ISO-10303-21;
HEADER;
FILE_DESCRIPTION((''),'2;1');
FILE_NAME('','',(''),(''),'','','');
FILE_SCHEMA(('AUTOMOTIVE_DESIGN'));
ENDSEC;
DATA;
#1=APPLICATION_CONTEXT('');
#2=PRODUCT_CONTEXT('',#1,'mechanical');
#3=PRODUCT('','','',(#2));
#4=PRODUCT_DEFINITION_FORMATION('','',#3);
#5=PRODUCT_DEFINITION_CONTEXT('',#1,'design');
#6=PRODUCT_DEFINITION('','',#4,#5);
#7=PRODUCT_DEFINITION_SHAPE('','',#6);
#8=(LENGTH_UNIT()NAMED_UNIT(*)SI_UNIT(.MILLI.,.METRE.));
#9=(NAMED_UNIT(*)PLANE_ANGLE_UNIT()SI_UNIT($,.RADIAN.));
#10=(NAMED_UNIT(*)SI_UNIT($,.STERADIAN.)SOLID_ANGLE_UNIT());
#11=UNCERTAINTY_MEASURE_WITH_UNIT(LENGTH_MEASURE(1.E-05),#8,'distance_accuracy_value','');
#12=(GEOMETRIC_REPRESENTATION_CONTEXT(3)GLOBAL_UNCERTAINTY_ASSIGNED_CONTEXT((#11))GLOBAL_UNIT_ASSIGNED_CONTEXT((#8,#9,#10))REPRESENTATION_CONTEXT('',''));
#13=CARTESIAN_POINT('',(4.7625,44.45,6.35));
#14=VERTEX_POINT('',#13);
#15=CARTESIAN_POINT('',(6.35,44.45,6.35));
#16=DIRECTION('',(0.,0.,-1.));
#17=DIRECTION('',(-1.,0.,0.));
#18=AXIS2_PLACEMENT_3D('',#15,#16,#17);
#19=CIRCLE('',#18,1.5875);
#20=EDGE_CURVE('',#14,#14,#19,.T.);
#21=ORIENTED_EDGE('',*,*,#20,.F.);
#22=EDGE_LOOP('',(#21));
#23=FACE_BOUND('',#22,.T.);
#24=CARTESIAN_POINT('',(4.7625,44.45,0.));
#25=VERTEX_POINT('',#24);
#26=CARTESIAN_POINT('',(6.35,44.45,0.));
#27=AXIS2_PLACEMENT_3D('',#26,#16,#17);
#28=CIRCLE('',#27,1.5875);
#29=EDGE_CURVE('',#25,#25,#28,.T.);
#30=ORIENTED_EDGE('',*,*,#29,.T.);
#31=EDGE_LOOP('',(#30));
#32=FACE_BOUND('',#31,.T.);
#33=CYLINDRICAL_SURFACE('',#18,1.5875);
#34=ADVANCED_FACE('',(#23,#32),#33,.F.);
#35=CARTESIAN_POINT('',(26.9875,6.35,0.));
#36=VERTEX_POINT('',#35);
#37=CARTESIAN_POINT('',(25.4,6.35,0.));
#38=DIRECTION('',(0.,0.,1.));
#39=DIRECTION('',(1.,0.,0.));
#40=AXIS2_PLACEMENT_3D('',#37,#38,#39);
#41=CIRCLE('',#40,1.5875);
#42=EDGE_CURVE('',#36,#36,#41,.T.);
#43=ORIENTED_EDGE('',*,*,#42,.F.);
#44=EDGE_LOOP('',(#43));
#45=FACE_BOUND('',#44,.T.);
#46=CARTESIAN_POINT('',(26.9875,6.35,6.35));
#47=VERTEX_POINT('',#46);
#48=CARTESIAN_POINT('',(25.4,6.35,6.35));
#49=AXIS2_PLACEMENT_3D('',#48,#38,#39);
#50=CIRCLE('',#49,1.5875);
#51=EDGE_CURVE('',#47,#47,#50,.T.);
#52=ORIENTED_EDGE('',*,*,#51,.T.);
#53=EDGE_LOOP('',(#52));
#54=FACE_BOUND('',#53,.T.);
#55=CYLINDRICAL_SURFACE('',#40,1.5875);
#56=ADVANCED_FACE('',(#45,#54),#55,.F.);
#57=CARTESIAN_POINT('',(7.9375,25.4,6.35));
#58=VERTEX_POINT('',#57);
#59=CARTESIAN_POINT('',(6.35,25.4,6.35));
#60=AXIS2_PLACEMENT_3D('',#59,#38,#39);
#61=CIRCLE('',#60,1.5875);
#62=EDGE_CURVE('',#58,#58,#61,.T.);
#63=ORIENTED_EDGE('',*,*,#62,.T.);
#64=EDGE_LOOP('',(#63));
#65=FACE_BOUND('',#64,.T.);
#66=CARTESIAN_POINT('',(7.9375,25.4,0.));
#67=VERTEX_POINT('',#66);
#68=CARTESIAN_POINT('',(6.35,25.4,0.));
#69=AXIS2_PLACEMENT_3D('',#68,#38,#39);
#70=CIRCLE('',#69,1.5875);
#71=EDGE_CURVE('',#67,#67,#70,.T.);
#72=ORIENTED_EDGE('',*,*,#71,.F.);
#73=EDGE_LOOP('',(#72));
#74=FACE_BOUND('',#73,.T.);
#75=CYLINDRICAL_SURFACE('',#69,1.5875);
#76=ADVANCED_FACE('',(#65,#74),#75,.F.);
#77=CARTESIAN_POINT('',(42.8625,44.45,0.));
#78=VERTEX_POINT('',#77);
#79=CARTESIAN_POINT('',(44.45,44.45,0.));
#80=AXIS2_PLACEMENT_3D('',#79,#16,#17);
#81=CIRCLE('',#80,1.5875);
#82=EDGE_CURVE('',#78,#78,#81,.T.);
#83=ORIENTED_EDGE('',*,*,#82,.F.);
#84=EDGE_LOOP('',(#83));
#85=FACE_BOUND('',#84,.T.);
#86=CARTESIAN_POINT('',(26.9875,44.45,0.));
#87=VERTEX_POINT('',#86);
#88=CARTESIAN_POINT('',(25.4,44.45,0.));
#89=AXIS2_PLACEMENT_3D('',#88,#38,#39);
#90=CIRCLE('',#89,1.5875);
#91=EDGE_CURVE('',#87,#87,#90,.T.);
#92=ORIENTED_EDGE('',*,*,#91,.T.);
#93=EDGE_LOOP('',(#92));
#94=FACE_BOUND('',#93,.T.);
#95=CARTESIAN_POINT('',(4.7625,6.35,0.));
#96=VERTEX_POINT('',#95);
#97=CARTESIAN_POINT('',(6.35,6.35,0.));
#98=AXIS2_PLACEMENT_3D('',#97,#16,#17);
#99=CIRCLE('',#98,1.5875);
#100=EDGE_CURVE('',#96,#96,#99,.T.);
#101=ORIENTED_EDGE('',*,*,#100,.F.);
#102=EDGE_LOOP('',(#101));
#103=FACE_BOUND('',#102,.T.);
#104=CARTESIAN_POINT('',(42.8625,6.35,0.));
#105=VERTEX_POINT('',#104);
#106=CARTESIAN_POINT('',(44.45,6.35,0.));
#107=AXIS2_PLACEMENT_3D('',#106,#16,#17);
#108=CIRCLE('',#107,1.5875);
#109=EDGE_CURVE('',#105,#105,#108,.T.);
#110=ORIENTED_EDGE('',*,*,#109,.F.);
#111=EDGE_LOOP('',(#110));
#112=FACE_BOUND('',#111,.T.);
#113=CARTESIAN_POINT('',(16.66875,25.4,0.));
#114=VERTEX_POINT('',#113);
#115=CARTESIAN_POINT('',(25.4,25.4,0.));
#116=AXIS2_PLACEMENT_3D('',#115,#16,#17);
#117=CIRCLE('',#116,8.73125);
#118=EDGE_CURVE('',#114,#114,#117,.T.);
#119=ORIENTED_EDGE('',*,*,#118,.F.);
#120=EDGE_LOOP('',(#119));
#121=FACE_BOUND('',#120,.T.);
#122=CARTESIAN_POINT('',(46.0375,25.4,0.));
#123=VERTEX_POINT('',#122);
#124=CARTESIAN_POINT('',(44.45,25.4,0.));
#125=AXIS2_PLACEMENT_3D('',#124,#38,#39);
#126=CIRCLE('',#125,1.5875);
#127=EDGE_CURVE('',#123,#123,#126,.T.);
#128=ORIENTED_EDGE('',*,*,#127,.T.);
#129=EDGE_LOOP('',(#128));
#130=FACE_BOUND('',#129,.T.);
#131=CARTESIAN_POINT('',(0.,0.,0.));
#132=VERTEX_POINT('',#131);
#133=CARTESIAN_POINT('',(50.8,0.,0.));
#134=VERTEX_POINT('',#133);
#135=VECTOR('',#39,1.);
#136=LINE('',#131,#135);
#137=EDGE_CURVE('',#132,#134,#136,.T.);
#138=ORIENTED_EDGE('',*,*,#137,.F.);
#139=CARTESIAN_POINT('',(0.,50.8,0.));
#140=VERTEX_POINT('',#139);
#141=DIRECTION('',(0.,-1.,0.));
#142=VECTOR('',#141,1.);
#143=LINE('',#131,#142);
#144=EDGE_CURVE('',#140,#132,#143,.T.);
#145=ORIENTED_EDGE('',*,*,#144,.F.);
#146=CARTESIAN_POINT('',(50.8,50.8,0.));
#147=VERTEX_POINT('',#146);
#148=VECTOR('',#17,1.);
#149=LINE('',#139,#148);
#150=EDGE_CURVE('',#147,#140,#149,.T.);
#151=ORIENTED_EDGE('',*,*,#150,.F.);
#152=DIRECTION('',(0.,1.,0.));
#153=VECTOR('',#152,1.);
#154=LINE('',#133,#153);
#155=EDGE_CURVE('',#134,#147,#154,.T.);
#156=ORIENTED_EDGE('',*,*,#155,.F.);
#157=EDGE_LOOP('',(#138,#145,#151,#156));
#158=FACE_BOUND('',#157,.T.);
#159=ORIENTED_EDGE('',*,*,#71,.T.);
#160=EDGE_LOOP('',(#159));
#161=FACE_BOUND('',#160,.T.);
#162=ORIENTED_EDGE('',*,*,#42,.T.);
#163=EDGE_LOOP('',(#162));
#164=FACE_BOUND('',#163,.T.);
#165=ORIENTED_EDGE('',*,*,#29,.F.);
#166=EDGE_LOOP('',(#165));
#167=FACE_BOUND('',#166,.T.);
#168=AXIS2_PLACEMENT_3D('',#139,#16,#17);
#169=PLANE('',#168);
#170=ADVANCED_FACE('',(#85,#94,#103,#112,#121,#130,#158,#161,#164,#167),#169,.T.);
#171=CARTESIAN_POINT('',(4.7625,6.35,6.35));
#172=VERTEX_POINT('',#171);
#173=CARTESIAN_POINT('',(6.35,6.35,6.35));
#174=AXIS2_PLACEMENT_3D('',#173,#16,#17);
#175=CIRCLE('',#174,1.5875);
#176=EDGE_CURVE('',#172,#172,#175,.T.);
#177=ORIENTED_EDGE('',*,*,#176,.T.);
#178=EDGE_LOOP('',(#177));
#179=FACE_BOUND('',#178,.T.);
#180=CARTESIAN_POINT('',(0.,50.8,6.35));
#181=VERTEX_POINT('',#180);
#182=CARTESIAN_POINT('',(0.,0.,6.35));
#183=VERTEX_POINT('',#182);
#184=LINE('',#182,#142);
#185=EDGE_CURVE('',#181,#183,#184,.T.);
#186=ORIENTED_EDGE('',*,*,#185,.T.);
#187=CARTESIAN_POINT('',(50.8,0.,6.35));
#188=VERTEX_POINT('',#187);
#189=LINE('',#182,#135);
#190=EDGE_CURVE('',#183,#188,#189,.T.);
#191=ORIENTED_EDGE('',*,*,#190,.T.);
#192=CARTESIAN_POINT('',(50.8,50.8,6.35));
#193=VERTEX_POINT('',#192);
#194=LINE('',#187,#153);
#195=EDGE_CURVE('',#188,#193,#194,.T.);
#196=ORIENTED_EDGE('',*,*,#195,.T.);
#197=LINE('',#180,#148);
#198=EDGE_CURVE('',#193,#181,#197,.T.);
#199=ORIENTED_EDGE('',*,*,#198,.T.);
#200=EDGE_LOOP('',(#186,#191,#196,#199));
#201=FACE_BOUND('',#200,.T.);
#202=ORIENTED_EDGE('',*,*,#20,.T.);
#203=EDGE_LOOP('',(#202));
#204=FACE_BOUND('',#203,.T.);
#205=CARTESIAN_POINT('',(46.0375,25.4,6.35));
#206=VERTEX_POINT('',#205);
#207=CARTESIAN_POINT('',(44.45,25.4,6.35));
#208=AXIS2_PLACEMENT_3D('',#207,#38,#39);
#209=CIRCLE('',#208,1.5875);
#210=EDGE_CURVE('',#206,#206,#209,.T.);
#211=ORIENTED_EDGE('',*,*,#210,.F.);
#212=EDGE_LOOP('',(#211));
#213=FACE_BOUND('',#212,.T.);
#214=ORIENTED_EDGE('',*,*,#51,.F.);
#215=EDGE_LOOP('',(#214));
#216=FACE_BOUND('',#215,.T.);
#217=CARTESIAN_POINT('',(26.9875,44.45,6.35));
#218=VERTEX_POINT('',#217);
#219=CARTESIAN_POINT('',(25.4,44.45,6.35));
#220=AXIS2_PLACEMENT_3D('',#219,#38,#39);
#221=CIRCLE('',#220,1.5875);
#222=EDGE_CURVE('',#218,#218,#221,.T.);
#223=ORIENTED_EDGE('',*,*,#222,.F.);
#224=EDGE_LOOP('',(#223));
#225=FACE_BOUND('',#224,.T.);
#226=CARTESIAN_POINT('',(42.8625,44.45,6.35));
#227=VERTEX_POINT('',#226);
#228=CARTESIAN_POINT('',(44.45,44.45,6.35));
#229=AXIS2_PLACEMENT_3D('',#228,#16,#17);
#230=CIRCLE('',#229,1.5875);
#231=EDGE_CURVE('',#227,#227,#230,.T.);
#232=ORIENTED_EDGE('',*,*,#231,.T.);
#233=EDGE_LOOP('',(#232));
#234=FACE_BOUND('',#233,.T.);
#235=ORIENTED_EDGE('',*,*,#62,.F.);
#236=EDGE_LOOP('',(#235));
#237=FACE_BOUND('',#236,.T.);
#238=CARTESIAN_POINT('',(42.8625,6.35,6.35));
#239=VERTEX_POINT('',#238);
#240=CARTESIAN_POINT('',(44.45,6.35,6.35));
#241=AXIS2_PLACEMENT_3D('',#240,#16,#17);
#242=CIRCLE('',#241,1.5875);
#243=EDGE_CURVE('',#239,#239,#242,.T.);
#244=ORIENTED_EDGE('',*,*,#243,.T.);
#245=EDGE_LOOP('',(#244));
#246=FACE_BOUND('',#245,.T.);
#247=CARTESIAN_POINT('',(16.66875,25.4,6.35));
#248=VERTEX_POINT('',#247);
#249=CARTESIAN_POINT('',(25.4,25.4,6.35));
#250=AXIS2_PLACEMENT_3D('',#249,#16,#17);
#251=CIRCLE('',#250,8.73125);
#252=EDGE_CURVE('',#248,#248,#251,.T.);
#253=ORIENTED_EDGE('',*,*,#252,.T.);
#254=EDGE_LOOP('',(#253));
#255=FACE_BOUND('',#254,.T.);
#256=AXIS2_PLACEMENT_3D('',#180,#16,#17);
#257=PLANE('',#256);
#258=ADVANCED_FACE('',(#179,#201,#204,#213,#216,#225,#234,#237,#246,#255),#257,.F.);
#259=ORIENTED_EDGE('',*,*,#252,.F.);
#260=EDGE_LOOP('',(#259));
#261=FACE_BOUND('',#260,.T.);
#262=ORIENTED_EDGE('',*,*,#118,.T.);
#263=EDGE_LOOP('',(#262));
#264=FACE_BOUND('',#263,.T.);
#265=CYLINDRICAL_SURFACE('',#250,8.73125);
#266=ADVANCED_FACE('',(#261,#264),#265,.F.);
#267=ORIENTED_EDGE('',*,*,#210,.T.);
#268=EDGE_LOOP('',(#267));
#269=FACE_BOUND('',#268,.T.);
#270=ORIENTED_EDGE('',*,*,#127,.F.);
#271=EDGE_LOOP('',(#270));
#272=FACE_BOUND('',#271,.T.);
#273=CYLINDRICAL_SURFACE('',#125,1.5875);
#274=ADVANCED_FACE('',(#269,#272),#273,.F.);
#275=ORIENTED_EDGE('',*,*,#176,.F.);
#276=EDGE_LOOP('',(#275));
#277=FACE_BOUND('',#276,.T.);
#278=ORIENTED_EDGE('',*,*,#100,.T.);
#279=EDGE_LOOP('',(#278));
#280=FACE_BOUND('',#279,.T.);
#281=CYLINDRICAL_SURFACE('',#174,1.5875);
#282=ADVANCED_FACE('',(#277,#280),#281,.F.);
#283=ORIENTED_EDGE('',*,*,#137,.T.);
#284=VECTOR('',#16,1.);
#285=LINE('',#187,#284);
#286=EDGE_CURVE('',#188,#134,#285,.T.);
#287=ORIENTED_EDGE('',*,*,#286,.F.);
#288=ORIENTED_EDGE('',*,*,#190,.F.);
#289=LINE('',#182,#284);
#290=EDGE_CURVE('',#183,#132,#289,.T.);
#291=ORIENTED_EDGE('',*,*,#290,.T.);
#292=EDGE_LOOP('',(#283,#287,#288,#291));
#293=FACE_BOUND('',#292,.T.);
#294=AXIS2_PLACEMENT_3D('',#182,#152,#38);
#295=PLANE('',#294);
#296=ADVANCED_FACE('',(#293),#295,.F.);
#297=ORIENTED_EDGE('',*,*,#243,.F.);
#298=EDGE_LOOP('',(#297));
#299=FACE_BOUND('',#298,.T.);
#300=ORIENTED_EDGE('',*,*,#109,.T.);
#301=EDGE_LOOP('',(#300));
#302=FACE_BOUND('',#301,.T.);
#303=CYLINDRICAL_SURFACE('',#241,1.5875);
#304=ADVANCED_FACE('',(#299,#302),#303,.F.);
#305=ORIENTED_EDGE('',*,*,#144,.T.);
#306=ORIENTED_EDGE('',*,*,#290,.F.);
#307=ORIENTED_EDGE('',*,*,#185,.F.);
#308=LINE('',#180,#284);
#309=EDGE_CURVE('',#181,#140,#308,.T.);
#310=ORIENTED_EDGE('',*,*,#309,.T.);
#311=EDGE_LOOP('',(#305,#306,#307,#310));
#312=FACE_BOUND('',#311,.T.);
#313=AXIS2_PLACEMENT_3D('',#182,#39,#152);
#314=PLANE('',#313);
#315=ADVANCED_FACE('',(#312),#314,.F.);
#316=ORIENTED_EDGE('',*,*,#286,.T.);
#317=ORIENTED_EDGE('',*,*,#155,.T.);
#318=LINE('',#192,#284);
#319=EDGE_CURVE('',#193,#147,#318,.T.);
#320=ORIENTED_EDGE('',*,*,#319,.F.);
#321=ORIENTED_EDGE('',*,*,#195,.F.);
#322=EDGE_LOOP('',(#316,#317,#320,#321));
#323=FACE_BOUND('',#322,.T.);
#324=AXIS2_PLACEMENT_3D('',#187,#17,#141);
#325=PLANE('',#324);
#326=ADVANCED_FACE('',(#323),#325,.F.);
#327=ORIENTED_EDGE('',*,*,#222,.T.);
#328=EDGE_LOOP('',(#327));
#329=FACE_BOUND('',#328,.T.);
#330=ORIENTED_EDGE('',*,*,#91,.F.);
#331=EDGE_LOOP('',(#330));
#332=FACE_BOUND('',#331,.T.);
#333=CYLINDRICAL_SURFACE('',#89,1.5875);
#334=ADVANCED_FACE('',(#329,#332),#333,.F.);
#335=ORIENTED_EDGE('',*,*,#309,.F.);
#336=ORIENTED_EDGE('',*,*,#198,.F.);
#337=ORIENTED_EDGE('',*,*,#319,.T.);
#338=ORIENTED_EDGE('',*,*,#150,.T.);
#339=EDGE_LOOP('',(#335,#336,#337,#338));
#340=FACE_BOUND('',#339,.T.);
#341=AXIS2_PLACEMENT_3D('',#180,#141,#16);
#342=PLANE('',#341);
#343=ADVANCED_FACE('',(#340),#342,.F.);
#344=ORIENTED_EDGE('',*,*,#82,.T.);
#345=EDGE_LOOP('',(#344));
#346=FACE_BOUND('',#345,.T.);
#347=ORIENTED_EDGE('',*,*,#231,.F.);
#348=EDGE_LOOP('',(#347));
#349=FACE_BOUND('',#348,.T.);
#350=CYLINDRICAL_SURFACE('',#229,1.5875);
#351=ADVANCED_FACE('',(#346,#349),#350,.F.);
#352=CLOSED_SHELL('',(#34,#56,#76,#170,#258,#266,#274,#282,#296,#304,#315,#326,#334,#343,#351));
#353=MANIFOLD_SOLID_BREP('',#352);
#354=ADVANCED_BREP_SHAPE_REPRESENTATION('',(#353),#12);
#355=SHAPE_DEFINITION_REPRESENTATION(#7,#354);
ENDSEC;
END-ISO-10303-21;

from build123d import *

# Parameters (mm, degrees)
SKETCH1_W           = 50.8
SKETCH1_H           = 50.8
BOSS_EXTRUDE1_DEPTH = 6.35
SKETCH2_R           = 8.73125
CUT_EXTRUDE7_DEPTH  = 7.35
SKETCH5_R           = 1.5875
CUT_EXTRUDE8_DEPTH  = 7.35
SKETCH7_R           = 1.5875
CUT_EXTRUDE9_DEPTH  = 7.35


with BuildPart() as part:
    # Sketch1 → Boss-Extrude1 (new body)
    with BuildSketch(Plane.XY):
        with Locations((25.4, 25.4)):
            Rectangle(SKETCH1_W, SKETCH1_H)
    extrude(amount=BOSS_EXTRUDE1_DEPTH)

    # Sketch2 → Cut-Extrude7 (cut, through all)
    with BuildSketch(Plane(origin=(0, 0, 0), x_dir=(-1, 0, 0), z_dir=(0, 0, -1))):
        with Locations((-25.4, 25.4)):
            Circle(SKETCH2_R)
    extrude(amount=-CUT_EXTRUDE7_DEPTH, mode=Mode.SUBTRACT)

    # Sketch5 → Cut-Extrude8 (cut, through all)
    with BuildSketch(Plane.XY.offset(6.35)):
        with Locations((25.4, 6.35)):
            Circle(SKETCH5_R)
        with Locations((6.35, 25.4)):
            Circle(SKETCH5_R)
        with Locations((25.4, 44.45)):
            Circle(SKETCH5_R)
        with Locations((44.45, 25.4)):
            Circle(SKETCH5_R)
    extrude(amount=-CUT_EXTRUDE8_DEPTH, mode=Mode.SUBTRACT)

    # Sketch7 → Cut-Extrude9 (cut, through all)
    with BuildSketch(Plane(origin=(0, 0, 0), x_dir=(-1, 0, 0), z_dir=(0, 0, -1))):
        with Locations((-6.35, 6.35)):
            Circle(SKETCH7_R)
        with Locations((-44.45, 6.35)):
            Circle(SKETCH7_R)
        with Locations((-44.45, 44.45)):
            Circle(SKETCH7_R)
        with Locations((-6.35, 44.45)):
            Circle(SKETCH7_R)
    extrude(amount=-CUT_EXTRUDE9_DEPTH, mode=Mode.SUBTRACT)


solid = part.part
